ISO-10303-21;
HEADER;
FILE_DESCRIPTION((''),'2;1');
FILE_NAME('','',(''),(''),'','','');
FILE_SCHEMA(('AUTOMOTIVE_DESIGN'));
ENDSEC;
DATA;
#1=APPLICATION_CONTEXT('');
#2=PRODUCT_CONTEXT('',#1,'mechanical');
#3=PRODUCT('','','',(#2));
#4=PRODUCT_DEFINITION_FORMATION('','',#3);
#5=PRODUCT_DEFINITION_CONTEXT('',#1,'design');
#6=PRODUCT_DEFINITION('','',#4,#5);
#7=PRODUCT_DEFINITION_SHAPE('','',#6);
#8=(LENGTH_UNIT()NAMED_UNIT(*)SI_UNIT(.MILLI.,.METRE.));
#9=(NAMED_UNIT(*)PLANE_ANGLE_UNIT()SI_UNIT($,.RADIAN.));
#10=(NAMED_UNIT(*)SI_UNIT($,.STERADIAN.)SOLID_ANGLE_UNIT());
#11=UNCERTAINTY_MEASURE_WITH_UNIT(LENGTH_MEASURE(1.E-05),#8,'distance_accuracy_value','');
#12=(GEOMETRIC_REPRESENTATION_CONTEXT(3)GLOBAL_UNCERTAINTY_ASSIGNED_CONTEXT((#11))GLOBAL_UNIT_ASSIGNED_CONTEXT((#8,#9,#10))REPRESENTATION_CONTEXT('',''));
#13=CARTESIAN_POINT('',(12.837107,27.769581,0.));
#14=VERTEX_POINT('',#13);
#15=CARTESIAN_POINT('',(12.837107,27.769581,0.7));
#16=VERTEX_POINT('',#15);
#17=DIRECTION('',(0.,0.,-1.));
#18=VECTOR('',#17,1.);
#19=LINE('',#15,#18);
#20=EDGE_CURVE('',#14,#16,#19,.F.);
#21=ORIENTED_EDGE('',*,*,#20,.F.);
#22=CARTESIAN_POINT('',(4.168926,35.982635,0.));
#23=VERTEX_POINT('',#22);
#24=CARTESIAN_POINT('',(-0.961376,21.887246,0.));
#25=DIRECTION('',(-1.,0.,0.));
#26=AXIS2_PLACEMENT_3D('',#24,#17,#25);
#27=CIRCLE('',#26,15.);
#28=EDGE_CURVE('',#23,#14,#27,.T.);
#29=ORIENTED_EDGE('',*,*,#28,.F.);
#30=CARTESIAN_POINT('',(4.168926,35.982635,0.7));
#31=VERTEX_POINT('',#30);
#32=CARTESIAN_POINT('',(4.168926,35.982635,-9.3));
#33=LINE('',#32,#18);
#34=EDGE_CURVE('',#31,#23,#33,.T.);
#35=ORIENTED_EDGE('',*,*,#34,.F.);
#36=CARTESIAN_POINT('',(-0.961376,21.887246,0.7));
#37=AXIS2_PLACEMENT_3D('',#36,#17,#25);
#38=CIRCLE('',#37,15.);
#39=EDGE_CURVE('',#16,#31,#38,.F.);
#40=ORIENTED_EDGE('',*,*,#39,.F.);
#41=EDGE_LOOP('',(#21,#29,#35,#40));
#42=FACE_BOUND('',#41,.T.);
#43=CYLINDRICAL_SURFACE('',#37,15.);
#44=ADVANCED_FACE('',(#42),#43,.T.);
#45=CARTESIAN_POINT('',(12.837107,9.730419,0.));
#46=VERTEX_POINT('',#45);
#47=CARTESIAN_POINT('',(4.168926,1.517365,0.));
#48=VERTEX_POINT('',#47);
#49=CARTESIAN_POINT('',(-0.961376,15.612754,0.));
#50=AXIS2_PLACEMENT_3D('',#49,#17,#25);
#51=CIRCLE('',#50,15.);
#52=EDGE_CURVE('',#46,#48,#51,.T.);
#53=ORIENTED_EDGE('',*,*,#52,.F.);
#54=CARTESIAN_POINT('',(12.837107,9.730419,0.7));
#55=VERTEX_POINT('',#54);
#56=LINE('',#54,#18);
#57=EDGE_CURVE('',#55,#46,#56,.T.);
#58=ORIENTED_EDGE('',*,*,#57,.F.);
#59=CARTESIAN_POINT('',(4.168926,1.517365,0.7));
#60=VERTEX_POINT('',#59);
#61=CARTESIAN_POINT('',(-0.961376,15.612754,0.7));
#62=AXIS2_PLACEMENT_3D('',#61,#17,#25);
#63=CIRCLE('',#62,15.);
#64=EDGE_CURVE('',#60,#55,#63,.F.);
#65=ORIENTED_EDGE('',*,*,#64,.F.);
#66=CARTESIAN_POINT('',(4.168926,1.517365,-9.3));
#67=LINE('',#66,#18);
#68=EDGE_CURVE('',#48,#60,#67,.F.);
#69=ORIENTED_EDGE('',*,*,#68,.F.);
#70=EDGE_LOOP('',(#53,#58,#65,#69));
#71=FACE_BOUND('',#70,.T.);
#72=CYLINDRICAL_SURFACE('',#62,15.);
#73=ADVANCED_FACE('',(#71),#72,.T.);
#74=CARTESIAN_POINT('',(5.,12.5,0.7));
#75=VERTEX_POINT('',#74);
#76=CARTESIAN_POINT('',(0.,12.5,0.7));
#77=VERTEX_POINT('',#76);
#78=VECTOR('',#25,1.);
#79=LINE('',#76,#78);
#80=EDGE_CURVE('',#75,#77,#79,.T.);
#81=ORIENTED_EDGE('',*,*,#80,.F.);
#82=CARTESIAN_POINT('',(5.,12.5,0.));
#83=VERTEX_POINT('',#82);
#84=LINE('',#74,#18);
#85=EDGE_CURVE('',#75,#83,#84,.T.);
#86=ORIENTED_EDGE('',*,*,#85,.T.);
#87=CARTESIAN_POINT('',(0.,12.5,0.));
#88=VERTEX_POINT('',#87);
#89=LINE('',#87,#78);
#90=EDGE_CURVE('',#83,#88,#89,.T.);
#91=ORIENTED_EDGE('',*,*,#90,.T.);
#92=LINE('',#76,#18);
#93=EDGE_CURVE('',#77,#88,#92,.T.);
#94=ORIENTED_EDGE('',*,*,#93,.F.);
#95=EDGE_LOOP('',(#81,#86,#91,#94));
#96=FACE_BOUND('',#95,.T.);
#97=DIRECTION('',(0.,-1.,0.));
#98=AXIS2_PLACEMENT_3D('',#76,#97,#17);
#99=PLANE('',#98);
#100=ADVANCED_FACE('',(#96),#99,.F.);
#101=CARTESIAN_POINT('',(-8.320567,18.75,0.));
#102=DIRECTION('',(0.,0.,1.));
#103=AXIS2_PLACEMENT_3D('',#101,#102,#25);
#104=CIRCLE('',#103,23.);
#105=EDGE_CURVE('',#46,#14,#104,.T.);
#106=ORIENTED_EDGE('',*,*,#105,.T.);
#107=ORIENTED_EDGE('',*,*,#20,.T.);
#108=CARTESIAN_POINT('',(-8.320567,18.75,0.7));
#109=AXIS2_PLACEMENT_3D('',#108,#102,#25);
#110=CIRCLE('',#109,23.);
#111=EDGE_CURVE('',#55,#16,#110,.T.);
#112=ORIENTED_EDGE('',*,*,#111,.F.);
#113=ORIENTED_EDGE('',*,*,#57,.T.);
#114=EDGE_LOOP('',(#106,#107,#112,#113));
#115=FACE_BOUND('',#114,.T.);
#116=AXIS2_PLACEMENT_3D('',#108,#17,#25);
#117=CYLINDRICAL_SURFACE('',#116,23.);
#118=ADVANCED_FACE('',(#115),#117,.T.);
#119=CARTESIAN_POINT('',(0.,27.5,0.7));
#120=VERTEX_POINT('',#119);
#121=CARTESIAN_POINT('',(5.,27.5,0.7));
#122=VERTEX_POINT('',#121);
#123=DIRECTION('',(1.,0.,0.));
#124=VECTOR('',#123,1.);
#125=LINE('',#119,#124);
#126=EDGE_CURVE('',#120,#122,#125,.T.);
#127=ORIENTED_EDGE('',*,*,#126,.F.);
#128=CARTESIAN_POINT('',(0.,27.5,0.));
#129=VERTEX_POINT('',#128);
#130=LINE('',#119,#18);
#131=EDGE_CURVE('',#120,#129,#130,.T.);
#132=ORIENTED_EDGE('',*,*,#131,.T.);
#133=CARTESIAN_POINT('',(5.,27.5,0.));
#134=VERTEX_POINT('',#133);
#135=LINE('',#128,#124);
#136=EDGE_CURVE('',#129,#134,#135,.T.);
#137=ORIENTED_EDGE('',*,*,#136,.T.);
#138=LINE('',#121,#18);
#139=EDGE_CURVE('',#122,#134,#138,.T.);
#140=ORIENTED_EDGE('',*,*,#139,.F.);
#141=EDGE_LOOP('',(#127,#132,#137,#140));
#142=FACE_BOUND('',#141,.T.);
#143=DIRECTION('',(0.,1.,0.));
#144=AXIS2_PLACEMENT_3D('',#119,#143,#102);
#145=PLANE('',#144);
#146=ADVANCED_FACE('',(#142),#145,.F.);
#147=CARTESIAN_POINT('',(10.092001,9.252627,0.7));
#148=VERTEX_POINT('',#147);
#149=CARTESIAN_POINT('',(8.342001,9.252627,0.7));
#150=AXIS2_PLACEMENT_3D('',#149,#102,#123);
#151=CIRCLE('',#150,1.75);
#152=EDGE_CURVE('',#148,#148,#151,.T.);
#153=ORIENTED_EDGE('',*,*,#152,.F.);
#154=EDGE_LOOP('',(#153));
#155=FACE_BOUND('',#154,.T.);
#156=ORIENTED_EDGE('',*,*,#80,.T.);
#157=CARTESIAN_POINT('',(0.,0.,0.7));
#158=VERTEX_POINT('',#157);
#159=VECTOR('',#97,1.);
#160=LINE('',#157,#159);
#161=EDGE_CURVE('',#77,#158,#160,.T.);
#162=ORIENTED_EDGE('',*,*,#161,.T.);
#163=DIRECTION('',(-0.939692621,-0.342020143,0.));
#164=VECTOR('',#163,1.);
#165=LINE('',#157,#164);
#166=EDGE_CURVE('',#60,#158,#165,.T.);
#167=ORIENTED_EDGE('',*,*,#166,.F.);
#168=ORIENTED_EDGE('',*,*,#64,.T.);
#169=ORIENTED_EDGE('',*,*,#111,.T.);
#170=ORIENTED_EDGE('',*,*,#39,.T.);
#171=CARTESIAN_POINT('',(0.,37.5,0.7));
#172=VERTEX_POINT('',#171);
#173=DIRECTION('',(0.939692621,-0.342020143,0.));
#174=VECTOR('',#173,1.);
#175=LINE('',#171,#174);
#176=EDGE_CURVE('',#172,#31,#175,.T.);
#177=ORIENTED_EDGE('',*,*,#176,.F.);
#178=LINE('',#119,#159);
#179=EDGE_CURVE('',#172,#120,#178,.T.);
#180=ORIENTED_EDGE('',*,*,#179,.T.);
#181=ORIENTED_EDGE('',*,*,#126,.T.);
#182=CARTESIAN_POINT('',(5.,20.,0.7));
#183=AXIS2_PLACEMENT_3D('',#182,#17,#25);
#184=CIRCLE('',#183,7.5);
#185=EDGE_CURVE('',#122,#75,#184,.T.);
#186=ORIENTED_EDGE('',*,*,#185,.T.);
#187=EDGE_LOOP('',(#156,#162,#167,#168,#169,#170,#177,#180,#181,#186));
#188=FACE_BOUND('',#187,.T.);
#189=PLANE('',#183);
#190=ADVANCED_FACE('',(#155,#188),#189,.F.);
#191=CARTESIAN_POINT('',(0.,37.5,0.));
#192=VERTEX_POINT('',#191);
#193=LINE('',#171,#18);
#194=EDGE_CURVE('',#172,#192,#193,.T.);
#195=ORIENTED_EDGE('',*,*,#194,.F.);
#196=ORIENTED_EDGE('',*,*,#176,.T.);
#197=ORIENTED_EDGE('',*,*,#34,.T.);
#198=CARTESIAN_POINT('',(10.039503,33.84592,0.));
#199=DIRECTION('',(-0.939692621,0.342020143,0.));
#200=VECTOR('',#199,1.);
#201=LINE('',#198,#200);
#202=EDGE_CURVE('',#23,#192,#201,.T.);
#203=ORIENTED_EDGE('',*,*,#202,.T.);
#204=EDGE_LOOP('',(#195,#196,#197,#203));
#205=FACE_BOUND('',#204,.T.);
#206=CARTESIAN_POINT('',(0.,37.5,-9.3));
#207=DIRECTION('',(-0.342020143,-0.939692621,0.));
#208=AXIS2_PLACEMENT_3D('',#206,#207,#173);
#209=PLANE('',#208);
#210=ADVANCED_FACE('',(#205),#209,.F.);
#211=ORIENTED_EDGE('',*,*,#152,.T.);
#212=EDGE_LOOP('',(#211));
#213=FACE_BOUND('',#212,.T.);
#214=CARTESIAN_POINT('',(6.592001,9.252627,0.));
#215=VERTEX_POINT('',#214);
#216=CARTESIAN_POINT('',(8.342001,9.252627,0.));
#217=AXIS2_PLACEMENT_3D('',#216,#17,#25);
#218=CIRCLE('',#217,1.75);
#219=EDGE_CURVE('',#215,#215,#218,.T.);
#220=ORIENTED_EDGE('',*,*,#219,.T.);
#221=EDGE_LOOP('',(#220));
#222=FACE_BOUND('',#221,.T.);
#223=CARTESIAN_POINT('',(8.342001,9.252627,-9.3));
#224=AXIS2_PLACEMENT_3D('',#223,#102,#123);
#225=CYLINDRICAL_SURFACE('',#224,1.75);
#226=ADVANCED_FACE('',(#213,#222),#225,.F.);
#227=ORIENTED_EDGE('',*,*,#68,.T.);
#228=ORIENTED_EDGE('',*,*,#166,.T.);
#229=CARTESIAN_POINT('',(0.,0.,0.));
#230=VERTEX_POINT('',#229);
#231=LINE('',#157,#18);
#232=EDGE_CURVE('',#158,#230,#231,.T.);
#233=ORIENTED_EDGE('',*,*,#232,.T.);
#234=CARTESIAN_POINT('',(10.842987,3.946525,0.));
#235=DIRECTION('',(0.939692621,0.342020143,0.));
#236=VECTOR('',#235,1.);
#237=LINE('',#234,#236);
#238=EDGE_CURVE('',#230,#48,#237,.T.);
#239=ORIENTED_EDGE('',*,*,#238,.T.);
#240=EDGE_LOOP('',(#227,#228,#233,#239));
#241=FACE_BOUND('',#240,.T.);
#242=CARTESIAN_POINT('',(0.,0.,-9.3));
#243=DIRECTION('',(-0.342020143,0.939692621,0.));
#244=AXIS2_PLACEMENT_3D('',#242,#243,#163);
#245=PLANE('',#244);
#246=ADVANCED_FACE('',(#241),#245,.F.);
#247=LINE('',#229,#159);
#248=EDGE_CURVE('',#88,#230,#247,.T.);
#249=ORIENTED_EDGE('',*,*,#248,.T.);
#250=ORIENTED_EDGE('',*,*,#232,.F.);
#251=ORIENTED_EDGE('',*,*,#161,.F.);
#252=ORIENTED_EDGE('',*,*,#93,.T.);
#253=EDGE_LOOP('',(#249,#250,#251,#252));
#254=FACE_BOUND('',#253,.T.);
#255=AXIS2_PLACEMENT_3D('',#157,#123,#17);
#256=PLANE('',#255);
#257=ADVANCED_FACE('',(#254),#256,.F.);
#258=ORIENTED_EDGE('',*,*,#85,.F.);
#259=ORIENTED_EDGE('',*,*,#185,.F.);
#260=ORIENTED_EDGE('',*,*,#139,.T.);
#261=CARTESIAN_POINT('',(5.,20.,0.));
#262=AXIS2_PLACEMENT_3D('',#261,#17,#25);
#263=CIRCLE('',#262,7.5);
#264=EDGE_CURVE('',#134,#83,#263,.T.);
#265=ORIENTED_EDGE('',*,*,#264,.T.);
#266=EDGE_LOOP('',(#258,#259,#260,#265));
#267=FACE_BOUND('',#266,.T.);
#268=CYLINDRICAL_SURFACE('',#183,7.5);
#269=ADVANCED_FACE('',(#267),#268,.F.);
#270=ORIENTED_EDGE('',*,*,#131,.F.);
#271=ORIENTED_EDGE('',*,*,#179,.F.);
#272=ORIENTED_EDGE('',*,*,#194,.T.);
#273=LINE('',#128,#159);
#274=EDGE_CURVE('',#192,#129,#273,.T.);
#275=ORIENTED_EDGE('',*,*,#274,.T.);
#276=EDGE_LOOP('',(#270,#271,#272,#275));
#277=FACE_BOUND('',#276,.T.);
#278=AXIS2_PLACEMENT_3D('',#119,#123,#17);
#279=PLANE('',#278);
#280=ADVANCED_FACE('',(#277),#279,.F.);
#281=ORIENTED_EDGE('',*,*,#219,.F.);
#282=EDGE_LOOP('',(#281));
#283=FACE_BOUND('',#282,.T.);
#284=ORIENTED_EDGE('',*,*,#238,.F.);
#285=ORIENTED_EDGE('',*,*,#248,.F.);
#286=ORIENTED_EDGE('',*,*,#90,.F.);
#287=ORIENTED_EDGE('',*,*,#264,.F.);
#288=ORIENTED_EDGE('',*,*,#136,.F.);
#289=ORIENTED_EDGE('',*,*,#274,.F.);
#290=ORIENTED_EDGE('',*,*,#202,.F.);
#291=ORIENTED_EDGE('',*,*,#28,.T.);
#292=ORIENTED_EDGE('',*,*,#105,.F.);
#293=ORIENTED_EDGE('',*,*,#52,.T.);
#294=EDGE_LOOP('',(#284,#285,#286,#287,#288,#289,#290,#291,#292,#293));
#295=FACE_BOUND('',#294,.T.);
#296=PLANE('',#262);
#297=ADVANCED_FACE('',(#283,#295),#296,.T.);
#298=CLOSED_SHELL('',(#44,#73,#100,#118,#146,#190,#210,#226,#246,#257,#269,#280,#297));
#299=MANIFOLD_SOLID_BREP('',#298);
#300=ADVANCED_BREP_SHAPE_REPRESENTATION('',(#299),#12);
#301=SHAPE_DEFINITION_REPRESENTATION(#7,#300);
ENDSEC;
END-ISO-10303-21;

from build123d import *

# Parameters (mm, degrees)
BOSS_EXTRUDE1_DEPTH = 0.7
SKETCH2_R           = 1.75
CUT_EXTRUDE1_DEPTH  = 10
FILLET1_R           = 15


with BuildPart() as part:
    # Sketch1 → Boss-Extrude1 (new body)
    with BuildSketch(Plane.XY):
        with BuildLine():
            Line((0, 0), (5, 0))
            ThreePointArc((5, 0), (14.679433195, 18.75), (5, 37.5))
            Line((5, 37.5), (0, 37.5))
            Line((0, 37.5), (0, 27.5))
            Line((0, 27.5), (5, 27.5))
            ThreePointArc((5, 27.5), (12.5, 20), (5, 12.5))
            Line((5, 12.5), (0, 12.5))
            Line((0, 12.5), (0, 0))
        make_face()
    extrude(amount=BOSS_EXTRUDE1_DEPTH)

    # Sketch2 → Cut-Extrude1 (cut)
    with BuildSketch(Plane.XY.offset(0.7)):
        with Locations((8.342000555, 9.25262746)):
            Circle(SKETCH2_R)
        Polygon((0, 37.5), (13.374942175, 32.631919163), (10.545086025, 37.5), align=None)
        Polygon((0, 0), (14.645857922, 5.330656339), (11.681927556, 0), align=None)
    extrude(amount=-CUT_EXTRUDE1_DEPTH, mode=Mode.SUBTRACT)

    # Fillet1
    fillet1_edges = [part.edges().sort_by_distance(p)[0] for p in [
        (8.542627357, 34.39073792, 0.35),
        (8.542627357, 3.10926208, 0.35),
    ]]
    fillet(fillet1_edges, radius=FILLET1_R)


solid = part.part
